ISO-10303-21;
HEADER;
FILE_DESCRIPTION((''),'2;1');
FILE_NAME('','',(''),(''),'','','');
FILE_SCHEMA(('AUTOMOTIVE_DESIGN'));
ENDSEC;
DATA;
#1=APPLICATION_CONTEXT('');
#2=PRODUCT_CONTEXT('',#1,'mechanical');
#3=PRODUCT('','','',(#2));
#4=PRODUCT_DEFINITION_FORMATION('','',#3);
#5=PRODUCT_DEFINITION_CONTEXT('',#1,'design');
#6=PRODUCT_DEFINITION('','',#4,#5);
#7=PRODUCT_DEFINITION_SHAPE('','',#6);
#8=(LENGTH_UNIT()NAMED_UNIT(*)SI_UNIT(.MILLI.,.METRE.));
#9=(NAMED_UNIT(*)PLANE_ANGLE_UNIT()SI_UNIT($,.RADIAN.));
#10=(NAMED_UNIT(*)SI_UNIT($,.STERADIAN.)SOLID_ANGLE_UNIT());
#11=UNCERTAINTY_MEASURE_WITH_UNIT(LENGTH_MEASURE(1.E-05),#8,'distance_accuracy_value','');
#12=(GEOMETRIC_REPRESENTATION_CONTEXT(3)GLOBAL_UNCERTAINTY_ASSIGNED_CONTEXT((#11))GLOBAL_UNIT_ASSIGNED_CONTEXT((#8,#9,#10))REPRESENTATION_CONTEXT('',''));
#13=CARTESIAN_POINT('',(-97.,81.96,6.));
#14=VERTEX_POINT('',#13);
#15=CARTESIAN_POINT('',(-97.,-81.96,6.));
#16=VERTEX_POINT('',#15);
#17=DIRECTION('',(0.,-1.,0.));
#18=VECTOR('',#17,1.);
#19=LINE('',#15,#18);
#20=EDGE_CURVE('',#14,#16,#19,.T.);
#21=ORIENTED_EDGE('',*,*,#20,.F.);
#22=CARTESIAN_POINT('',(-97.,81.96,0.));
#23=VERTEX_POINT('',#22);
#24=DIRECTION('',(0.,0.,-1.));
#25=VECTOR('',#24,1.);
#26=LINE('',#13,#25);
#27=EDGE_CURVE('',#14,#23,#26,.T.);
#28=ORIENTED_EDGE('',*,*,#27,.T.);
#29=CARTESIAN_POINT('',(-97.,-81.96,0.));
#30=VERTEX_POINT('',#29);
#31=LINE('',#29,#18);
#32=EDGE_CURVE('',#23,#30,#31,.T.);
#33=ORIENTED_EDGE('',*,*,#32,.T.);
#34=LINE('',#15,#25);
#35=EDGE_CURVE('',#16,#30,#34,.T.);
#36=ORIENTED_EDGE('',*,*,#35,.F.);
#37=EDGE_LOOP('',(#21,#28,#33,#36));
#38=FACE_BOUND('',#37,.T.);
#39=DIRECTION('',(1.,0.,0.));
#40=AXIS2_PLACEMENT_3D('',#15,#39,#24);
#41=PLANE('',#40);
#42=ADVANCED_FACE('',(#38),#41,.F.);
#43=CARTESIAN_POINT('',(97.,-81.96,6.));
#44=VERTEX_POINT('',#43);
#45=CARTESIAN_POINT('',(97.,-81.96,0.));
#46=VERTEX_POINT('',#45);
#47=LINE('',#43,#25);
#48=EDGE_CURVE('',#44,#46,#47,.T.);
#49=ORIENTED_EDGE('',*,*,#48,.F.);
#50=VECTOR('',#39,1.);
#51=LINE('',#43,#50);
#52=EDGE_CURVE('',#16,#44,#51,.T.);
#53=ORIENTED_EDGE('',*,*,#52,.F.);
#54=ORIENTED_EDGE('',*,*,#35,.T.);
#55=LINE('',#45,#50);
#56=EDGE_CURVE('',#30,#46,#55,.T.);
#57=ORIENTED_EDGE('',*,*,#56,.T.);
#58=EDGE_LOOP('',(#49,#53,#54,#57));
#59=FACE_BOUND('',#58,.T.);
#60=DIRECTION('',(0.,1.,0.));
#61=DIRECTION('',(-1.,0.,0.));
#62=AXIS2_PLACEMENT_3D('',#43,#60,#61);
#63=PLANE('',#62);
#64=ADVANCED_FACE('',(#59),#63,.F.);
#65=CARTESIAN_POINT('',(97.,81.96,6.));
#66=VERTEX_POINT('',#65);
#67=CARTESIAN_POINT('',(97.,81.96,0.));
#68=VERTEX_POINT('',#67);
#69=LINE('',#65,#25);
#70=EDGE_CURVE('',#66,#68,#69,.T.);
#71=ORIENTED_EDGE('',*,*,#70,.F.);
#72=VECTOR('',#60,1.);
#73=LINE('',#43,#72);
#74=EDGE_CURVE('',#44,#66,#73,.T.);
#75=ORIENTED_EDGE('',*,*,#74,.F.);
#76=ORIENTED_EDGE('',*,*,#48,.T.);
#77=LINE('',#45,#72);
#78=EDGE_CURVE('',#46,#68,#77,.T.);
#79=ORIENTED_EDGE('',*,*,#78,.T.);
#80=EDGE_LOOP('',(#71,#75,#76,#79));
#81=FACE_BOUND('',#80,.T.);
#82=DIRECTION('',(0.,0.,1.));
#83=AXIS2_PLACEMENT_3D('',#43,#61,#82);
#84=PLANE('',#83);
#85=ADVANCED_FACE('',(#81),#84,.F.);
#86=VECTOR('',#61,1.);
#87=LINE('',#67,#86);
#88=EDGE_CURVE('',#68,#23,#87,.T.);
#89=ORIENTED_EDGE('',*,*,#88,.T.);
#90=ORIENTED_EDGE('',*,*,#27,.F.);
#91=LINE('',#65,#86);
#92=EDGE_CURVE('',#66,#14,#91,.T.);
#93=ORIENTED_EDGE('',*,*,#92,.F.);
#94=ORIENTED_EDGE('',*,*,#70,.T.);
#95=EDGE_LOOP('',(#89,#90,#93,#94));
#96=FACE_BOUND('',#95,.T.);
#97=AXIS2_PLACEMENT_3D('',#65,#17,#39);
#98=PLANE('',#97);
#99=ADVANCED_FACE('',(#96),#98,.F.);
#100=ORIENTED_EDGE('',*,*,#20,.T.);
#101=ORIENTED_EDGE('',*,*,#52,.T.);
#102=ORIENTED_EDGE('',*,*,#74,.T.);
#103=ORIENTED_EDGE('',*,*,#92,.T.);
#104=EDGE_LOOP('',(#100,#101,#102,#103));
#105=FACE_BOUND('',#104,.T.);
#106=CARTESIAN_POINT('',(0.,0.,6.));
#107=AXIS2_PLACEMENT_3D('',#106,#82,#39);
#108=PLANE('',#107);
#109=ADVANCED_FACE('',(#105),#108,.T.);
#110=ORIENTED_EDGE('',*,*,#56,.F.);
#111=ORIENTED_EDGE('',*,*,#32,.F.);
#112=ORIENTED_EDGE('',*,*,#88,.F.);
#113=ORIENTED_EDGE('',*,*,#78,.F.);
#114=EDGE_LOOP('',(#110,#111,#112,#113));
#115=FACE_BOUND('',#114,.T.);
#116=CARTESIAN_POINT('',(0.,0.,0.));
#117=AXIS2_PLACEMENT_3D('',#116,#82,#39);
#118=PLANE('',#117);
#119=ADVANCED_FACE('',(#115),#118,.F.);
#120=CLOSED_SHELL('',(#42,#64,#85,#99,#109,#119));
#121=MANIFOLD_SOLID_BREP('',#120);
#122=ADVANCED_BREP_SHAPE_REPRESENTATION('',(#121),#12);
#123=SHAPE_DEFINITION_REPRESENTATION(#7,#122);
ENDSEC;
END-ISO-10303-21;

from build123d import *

# Parameters (mm, degrees)
ESQUISSE1_W        = 194
ESQUISSE1_H        = 163.92
BOSS_EXTRU_1_DEPTH = 6


with BuildPart() as part:
    # Esquisse1 → Boss.-Extru.1 (new body)
    with BuildSketch(Plane.XY):
        Rectangle(ESQUISSE1_W, ESQUISSE1_H)
    extrude(amount=BOSS_EXTRU_1_DEPTH)


solid = part.part
